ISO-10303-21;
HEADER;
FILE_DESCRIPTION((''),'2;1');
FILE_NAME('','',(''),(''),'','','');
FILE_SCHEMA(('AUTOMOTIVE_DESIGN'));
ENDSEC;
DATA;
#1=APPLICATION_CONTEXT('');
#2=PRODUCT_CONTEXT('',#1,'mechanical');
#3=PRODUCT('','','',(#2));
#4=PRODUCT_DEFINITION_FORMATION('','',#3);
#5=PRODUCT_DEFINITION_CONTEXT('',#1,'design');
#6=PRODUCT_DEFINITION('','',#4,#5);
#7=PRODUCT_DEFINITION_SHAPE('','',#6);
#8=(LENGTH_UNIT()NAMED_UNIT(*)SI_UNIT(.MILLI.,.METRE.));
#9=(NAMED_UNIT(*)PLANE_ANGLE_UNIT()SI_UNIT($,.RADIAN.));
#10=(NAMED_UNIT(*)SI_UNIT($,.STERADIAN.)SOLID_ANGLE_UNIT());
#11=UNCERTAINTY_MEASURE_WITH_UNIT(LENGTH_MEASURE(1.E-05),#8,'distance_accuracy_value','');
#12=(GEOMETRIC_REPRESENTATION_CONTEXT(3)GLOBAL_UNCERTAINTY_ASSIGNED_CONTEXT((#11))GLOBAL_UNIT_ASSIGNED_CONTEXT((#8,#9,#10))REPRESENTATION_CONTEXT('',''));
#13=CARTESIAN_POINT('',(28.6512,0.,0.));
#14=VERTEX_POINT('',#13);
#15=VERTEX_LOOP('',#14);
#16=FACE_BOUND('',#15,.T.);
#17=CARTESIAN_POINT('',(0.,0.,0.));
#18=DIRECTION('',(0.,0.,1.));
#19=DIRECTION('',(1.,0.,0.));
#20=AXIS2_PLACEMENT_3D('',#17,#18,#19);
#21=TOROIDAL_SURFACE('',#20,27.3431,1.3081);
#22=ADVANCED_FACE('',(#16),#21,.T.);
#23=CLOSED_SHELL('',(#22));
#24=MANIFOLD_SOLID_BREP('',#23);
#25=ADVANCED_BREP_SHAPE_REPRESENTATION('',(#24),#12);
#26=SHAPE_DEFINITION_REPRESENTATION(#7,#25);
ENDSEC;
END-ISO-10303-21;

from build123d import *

# Parameters (mm, degrees)
SKETCH2_R = 1.3081


with BuildPart() as part:
    # Sketch2 → Revolve1 (revolve)
    with BuildSketch(Plane(origin=(0, 0, 0), x_dir=(1, 0, 0), z_dir=(0, 1, 0)), mode=Mode.PRIVATE) as revolve1_sk:
        with Locations((-27.3431, 0)):
            Circle(SKETCH2_R)
    revolve(revolve1_sk.sketch.rotate(Axis((0, 0, 1.3081), (0, 0, -1)), 180), axis=Axis((0, 0, 1.3081), (0, 0, -1)))


solid = part.part
